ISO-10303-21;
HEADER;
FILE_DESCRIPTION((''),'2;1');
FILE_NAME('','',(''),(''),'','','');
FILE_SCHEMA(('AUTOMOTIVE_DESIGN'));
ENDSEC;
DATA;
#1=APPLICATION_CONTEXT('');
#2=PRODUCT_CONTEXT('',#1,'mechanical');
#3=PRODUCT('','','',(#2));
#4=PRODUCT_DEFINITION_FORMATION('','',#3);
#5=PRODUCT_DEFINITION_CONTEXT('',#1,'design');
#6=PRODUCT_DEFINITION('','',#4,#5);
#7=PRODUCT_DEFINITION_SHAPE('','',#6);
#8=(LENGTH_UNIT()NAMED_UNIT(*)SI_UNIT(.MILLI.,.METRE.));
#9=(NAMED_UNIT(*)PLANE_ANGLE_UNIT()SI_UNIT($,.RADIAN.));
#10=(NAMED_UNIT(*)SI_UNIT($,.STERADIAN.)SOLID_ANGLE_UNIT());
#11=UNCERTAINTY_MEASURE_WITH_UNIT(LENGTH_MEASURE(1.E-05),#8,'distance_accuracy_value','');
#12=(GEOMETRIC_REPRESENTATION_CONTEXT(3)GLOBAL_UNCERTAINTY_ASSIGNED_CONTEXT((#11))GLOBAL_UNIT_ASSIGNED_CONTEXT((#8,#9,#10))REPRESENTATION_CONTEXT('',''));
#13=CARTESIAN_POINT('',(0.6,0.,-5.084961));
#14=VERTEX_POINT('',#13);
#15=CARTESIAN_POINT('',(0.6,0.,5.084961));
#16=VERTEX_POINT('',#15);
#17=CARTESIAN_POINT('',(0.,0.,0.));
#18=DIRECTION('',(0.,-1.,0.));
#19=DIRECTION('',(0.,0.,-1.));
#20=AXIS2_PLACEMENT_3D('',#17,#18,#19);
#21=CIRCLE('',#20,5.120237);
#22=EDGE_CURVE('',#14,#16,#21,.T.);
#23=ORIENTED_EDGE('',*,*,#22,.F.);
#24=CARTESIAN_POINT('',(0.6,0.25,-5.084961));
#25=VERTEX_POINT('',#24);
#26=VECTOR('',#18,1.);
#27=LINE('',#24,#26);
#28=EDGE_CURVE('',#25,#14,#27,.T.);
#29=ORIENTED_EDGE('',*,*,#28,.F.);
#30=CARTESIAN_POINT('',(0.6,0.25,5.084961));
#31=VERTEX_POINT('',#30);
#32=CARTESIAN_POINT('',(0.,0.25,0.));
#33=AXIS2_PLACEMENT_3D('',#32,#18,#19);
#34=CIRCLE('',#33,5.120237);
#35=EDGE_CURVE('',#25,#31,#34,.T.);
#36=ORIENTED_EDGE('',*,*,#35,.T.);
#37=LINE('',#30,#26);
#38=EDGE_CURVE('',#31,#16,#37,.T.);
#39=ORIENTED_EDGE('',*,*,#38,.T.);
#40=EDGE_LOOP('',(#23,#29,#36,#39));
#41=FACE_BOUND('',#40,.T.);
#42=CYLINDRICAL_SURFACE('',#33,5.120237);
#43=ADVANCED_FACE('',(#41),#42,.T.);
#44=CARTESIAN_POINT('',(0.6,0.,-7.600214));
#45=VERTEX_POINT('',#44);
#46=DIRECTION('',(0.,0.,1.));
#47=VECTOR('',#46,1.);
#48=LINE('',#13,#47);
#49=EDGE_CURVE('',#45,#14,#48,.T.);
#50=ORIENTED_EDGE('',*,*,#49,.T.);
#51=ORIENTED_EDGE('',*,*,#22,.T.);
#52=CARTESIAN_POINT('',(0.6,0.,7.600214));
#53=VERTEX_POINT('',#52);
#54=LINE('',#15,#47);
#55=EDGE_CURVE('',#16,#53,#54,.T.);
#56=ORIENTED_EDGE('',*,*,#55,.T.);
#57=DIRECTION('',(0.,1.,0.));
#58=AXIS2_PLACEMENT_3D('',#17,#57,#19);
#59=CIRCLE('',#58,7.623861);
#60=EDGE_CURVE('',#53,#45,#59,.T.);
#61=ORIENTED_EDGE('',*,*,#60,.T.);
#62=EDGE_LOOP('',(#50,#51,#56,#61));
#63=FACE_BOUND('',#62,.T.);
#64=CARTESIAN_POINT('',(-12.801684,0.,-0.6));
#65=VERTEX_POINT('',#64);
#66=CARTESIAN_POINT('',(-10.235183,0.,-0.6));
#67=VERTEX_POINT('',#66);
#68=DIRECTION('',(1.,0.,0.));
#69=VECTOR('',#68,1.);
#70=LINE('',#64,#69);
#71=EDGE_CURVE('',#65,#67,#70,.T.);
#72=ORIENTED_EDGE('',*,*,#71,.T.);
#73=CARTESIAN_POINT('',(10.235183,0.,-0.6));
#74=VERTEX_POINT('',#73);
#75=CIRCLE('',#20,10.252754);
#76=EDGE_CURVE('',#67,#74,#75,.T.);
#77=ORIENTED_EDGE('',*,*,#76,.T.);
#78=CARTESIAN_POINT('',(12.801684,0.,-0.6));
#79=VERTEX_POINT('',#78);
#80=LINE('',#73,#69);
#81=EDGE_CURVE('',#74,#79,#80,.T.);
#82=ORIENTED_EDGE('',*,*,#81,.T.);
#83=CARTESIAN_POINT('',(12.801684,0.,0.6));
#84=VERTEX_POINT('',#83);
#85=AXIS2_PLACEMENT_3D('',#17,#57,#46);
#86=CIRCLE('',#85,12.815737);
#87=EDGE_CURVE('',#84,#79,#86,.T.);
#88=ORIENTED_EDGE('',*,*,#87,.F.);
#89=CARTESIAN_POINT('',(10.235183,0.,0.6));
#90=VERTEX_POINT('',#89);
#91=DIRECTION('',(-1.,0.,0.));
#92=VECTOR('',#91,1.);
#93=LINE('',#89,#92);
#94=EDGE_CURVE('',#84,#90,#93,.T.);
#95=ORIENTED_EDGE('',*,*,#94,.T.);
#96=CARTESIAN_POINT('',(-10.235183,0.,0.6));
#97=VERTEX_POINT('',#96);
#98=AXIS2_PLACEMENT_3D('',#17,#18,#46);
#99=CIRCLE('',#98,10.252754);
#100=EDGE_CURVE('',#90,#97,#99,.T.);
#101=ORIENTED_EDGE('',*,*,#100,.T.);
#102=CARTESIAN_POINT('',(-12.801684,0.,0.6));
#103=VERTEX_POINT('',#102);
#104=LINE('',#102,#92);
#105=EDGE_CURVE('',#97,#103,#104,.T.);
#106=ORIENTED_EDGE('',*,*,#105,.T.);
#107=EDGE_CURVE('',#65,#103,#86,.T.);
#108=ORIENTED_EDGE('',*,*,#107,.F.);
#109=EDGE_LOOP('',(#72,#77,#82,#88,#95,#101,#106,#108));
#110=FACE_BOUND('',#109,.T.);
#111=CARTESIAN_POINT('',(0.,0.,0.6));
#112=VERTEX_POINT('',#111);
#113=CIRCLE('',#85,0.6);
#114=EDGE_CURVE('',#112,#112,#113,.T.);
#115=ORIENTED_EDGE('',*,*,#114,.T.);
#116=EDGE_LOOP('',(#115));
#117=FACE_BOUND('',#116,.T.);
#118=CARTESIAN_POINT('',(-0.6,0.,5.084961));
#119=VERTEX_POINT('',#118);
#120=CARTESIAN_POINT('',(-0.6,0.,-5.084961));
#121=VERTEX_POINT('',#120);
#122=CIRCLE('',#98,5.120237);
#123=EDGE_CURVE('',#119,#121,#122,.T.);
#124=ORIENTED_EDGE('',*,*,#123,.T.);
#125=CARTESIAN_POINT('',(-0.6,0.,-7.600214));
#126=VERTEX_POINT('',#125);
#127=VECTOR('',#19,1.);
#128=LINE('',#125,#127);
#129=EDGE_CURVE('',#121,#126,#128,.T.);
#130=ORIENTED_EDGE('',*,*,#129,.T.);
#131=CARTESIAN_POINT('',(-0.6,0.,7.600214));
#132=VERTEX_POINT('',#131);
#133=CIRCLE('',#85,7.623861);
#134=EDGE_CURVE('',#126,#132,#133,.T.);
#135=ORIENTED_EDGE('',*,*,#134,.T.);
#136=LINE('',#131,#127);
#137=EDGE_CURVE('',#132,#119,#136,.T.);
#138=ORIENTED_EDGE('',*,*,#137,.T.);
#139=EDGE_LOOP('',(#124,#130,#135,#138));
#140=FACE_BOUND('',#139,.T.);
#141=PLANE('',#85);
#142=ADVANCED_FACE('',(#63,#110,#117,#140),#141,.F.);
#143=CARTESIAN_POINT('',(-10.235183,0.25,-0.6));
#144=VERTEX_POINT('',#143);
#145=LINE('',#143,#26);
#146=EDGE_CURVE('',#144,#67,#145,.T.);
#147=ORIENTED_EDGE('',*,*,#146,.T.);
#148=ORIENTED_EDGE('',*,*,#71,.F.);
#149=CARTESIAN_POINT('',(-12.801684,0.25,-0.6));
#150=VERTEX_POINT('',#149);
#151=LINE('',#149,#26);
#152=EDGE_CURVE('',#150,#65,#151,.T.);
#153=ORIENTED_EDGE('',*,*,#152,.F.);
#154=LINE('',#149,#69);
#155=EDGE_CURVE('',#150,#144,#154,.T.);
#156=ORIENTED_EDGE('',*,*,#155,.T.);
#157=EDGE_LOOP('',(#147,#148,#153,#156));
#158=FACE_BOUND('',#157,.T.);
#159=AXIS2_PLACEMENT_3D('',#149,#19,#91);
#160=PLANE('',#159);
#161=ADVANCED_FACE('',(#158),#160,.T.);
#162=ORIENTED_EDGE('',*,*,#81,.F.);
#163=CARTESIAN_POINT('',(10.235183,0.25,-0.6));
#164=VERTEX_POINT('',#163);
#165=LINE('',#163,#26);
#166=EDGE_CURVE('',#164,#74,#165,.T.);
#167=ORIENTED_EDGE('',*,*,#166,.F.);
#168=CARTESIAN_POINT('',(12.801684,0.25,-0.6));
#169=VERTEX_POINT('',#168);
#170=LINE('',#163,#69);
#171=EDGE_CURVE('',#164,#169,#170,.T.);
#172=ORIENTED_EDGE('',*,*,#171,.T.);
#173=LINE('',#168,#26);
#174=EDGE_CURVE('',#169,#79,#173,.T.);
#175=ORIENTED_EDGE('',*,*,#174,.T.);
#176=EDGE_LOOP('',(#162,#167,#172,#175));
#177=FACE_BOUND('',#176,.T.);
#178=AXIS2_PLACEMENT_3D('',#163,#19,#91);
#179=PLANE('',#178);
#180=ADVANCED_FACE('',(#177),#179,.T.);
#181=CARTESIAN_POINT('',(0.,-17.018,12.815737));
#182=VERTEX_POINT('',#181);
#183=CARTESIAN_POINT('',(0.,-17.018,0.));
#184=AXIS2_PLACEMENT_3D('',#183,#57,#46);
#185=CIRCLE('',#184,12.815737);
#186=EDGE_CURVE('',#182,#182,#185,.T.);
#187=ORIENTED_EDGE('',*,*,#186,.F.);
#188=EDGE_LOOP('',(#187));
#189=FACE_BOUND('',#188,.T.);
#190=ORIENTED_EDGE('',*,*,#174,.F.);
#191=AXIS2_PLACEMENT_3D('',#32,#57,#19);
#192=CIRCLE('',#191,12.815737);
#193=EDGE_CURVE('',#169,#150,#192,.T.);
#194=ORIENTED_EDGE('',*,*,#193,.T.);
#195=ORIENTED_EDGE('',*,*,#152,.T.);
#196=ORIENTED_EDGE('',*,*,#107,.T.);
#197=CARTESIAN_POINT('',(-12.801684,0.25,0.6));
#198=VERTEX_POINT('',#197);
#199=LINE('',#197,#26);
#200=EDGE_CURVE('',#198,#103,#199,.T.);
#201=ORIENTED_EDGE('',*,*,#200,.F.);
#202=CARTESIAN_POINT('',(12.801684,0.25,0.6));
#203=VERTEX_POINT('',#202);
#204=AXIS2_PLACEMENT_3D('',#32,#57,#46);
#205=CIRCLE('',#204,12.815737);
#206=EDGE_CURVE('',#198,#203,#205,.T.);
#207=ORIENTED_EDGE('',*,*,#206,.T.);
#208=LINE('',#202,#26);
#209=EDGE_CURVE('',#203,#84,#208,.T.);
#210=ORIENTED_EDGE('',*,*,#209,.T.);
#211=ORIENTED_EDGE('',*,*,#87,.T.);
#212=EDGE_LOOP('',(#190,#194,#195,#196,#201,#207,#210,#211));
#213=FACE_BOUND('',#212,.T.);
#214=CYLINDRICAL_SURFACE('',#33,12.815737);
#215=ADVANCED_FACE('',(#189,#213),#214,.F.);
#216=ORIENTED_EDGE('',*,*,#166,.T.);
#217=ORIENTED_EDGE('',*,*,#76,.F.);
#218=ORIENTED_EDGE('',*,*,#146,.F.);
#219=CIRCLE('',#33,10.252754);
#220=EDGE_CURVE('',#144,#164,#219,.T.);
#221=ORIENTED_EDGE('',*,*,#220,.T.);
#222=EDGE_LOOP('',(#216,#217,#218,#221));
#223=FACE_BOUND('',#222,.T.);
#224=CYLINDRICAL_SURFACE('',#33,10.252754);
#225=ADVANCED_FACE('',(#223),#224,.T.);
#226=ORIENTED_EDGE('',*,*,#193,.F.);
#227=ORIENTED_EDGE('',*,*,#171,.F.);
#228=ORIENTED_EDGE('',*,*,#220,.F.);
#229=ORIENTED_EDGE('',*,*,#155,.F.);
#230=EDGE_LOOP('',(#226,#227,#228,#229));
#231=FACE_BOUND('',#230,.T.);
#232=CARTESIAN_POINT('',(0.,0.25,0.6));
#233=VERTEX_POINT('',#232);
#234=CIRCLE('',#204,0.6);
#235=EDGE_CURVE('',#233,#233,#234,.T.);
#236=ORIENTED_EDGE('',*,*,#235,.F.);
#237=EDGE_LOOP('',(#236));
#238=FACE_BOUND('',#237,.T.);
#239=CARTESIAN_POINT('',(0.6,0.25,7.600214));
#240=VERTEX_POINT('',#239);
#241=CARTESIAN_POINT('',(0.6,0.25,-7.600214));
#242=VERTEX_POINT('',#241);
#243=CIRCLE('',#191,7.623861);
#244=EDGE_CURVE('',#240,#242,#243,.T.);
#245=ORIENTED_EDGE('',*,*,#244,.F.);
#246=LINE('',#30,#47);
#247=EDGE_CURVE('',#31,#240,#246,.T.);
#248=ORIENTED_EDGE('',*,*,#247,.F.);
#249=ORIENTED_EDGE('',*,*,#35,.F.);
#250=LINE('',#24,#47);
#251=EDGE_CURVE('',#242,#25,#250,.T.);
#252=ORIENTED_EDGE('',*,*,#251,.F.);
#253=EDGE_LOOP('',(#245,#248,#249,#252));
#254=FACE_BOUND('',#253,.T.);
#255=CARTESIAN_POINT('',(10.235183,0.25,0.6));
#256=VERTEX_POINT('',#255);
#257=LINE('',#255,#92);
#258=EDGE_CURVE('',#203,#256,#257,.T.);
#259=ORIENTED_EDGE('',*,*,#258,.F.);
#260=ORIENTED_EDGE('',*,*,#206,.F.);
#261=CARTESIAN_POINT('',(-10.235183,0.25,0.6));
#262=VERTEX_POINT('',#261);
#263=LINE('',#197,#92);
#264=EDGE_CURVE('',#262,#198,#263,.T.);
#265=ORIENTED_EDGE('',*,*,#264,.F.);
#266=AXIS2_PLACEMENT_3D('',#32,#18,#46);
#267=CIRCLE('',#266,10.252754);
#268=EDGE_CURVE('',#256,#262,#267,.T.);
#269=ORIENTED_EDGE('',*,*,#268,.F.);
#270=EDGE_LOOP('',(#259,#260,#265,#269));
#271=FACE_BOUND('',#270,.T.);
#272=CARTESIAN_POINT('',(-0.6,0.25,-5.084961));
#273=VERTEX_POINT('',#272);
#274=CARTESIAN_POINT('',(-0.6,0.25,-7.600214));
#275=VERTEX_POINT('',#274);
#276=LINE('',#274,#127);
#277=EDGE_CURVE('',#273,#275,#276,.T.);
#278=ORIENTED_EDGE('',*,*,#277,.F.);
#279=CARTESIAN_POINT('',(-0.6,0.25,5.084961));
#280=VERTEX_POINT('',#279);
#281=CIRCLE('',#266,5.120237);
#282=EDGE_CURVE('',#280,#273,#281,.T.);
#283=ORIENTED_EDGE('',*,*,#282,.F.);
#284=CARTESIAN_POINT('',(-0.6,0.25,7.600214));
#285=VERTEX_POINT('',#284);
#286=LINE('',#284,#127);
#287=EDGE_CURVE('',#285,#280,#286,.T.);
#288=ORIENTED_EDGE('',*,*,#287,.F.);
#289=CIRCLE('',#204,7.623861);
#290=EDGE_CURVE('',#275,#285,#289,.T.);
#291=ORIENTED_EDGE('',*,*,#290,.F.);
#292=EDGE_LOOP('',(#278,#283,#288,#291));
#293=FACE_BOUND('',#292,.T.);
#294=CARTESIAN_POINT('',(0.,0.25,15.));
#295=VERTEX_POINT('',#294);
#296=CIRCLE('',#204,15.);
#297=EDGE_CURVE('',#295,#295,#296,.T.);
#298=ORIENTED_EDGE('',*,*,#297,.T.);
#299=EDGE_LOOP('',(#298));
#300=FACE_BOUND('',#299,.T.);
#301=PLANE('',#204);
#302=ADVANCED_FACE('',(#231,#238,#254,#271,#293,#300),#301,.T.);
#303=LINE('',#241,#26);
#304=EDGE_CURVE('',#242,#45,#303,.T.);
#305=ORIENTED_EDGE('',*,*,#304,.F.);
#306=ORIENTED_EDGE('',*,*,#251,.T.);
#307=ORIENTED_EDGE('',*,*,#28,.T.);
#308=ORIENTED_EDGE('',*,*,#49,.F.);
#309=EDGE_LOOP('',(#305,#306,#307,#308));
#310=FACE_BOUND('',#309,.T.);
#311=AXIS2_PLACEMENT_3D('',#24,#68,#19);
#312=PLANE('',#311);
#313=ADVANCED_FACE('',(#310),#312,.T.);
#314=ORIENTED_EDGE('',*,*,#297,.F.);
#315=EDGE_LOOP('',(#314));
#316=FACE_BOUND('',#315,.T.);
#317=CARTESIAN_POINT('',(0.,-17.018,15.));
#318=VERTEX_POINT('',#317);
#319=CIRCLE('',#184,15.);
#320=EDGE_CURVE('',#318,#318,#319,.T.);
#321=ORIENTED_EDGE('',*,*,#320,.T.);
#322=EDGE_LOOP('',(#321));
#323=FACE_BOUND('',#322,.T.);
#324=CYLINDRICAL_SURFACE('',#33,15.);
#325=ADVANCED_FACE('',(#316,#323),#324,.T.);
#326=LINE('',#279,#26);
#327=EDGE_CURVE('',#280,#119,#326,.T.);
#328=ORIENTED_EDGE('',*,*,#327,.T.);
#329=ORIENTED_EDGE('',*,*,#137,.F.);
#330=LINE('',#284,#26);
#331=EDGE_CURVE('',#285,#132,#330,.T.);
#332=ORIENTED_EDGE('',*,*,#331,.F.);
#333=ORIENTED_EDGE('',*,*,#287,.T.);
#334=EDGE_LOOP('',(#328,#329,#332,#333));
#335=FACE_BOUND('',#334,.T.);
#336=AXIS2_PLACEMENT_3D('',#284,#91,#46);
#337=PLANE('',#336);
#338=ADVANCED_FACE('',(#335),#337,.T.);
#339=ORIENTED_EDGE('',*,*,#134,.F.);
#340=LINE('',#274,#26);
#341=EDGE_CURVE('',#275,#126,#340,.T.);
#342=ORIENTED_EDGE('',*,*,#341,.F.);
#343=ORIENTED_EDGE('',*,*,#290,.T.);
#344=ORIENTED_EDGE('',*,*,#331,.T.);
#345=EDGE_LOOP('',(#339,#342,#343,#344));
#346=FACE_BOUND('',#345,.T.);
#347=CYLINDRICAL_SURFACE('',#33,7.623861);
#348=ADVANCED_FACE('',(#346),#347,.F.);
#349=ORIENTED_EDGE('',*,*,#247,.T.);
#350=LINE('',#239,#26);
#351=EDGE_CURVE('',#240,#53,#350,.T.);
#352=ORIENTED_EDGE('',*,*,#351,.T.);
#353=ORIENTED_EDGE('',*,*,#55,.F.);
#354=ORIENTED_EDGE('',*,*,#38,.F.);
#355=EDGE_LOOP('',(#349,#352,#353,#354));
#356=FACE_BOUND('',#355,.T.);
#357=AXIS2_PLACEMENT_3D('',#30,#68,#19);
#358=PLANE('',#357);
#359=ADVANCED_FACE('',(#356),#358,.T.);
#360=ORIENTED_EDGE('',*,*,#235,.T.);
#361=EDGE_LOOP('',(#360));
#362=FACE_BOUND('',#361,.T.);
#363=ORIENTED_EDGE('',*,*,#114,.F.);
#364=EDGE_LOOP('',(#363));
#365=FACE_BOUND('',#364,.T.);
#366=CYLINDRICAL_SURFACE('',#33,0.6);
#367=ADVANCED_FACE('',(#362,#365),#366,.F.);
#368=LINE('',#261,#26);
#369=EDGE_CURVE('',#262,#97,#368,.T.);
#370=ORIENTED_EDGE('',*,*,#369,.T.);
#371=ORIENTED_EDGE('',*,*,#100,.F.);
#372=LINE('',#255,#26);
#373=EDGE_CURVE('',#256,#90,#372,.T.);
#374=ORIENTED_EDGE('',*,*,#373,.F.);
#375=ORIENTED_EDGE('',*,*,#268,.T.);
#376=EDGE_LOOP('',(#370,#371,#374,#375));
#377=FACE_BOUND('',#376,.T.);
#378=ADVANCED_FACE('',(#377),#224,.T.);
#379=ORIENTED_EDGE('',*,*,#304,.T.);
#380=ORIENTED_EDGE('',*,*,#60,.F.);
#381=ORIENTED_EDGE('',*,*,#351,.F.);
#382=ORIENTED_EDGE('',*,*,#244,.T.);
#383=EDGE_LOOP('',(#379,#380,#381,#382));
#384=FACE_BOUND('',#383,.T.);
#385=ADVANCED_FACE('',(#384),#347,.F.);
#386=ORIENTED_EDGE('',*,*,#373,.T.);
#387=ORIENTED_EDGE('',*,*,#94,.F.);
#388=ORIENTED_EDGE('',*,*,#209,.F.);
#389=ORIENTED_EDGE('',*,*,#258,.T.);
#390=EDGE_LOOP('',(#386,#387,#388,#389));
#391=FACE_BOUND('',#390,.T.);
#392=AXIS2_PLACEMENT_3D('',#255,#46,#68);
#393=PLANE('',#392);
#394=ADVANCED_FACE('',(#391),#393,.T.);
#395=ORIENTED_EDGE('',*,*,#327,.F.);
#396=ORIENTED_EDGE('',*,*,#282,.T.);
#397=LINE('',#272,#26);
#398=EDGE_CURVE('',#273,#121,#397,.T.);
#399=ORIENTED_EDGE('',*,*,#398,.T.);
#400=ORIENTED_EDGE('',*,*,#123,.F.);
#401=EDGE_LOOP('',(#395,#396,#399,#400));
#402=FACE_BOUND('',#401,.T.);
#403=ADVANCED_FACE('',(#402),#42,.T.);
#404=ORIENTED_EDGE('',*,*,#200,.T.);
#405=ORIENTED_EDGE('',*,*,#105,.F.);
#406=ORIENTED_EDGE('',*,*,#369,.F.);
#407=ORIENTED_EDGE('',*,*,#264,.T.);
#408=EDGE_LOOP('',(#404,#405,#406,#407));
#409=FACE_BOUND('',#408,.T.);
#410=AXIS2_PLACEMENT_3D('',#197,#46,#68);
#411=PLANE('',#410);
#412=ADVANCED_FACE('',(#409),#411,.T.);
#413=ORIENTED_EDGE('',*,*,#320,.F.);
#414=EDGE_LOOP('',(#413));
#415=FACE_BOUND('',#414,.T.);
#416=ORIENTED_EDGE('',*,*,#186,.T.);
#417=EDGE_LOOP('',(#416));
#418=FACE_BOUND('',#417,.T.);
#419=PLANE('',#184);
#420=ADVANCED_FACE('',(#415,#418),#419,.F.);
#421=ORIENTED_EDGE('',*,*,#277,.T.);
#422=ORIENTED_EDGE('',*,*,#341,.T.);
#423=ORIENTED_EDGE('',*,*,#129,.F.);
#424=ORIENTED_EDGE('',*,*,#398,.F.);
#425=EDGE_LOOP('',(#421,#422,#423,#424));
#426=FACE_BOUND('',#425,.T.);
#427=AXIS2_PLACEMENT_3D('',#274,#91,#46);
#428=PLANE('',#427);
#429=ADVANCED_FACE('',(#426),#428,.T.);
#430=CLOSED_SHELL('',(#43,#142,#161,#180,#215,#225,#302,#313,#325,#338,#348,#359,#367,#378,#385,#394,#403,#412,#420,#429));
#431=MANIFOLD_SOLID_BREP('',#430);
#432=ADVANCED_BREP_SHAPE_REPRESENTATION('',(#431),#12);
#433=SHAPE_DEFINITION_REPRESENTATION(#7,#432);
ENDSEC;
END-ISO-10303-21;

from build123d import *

# Parameters (mm, degrees)
SKETCH1_R           = 15
SKETCH1_R_2         = 0.6
BOSS_EXTRUDE1_DEPTH = 0.25
SKETCH2_R           = 15
SKETCH2_R_2         = 12.815737343
BOSS_EXTRUDE2_DEPTH = 17.268


with BuildPart() as part:
    # Sketch1 → Boss-Extrude1 (new body)
    with BuildSketch(Plane(origin=(0, 0, 0), x_dir=(1, 0, 0), z_dir=(0, 1, 0))):
        Circle(SKETCH1_R)
        Circle(SKETCH1_R_2, mode=Mode.SUBTRACT)
        with BuildLine():
            Line((-12.801684406, 0.6), (-10.235182592, 0.6))
            ThreePointArc((-10.235182592, 0.6), (0, 10.252753907), (10.235182592, 0.6))
            Line((10.235182592, 0.6), (12.801684406, 0.6))
            ThreePointArc((12.801684406, 0.6), (0, 12.815737343), (-12.801684406, 0.6))
        make_face(mode=Mode.SUBTRACT)
        with BuildLine():
            Line((-0.6, 7.600213812), (-0.6, 5.084960781))
            ThreePointArc((-0.6, 5.084960781), (-5.120236922, 0), (-0.6, -5.084960781))
            Line((-0.6, -5.084960781), (-0.6, -7.600213812))
            ThreePointArc((-0.6, -7.600213812), (-7.623860569, 0), (-0.6, 7.600213812))
        make_face(mode=Mode.SUBTRACT)
        with BuildLine():
            Line((0.6, 5.084960781), (0.6, 7.600213812))
            ThreePointArc((0.6, 7.600213812), (7.623860569, 0), (0.6, -7.600213812))
            Line((0.6, -7.600213812), (0.6, -5.084960781))
            ThreePointArc((0.6, -5.084960781), (5.120236922, 0), (0.6, 5.084960781))
        make_face(mode=Mode.SUBTRACT)
        with BuildLine():
            Line((-12.801684406, -0.6), (-10.235182592, -0.6))
            ThreePointArc((-10.235182592, -0.6), (0, -10.252753907), (10.235182592, -0.6))
            Line((10.235182592, -0.6), (12.801684406, -0.6))
            ThreePointArc((12.801684406, -0.6), (0, -12.815737343), (-12.801684406, -0.6))
        make_face(mode=Mode.SUBTRACT)
    extrude(amount=BOSS_EXTRUDE1_DEPTH)

    # Sketch2 → Boss-Extrude2 (add)
    with BuildSketch(Plane(origin=(0, 0.25, 0), x_dir=(1, 0, 0), z_dir=(0, 1, 0))):
        Circle(SKETCH2_R)
        Circle(SKETCH2_R_2, mode=Mode.SUBTRACT)
    extrude(amount=-BOSS_EXTRUDE2_DEPTH)


solid = part.part
